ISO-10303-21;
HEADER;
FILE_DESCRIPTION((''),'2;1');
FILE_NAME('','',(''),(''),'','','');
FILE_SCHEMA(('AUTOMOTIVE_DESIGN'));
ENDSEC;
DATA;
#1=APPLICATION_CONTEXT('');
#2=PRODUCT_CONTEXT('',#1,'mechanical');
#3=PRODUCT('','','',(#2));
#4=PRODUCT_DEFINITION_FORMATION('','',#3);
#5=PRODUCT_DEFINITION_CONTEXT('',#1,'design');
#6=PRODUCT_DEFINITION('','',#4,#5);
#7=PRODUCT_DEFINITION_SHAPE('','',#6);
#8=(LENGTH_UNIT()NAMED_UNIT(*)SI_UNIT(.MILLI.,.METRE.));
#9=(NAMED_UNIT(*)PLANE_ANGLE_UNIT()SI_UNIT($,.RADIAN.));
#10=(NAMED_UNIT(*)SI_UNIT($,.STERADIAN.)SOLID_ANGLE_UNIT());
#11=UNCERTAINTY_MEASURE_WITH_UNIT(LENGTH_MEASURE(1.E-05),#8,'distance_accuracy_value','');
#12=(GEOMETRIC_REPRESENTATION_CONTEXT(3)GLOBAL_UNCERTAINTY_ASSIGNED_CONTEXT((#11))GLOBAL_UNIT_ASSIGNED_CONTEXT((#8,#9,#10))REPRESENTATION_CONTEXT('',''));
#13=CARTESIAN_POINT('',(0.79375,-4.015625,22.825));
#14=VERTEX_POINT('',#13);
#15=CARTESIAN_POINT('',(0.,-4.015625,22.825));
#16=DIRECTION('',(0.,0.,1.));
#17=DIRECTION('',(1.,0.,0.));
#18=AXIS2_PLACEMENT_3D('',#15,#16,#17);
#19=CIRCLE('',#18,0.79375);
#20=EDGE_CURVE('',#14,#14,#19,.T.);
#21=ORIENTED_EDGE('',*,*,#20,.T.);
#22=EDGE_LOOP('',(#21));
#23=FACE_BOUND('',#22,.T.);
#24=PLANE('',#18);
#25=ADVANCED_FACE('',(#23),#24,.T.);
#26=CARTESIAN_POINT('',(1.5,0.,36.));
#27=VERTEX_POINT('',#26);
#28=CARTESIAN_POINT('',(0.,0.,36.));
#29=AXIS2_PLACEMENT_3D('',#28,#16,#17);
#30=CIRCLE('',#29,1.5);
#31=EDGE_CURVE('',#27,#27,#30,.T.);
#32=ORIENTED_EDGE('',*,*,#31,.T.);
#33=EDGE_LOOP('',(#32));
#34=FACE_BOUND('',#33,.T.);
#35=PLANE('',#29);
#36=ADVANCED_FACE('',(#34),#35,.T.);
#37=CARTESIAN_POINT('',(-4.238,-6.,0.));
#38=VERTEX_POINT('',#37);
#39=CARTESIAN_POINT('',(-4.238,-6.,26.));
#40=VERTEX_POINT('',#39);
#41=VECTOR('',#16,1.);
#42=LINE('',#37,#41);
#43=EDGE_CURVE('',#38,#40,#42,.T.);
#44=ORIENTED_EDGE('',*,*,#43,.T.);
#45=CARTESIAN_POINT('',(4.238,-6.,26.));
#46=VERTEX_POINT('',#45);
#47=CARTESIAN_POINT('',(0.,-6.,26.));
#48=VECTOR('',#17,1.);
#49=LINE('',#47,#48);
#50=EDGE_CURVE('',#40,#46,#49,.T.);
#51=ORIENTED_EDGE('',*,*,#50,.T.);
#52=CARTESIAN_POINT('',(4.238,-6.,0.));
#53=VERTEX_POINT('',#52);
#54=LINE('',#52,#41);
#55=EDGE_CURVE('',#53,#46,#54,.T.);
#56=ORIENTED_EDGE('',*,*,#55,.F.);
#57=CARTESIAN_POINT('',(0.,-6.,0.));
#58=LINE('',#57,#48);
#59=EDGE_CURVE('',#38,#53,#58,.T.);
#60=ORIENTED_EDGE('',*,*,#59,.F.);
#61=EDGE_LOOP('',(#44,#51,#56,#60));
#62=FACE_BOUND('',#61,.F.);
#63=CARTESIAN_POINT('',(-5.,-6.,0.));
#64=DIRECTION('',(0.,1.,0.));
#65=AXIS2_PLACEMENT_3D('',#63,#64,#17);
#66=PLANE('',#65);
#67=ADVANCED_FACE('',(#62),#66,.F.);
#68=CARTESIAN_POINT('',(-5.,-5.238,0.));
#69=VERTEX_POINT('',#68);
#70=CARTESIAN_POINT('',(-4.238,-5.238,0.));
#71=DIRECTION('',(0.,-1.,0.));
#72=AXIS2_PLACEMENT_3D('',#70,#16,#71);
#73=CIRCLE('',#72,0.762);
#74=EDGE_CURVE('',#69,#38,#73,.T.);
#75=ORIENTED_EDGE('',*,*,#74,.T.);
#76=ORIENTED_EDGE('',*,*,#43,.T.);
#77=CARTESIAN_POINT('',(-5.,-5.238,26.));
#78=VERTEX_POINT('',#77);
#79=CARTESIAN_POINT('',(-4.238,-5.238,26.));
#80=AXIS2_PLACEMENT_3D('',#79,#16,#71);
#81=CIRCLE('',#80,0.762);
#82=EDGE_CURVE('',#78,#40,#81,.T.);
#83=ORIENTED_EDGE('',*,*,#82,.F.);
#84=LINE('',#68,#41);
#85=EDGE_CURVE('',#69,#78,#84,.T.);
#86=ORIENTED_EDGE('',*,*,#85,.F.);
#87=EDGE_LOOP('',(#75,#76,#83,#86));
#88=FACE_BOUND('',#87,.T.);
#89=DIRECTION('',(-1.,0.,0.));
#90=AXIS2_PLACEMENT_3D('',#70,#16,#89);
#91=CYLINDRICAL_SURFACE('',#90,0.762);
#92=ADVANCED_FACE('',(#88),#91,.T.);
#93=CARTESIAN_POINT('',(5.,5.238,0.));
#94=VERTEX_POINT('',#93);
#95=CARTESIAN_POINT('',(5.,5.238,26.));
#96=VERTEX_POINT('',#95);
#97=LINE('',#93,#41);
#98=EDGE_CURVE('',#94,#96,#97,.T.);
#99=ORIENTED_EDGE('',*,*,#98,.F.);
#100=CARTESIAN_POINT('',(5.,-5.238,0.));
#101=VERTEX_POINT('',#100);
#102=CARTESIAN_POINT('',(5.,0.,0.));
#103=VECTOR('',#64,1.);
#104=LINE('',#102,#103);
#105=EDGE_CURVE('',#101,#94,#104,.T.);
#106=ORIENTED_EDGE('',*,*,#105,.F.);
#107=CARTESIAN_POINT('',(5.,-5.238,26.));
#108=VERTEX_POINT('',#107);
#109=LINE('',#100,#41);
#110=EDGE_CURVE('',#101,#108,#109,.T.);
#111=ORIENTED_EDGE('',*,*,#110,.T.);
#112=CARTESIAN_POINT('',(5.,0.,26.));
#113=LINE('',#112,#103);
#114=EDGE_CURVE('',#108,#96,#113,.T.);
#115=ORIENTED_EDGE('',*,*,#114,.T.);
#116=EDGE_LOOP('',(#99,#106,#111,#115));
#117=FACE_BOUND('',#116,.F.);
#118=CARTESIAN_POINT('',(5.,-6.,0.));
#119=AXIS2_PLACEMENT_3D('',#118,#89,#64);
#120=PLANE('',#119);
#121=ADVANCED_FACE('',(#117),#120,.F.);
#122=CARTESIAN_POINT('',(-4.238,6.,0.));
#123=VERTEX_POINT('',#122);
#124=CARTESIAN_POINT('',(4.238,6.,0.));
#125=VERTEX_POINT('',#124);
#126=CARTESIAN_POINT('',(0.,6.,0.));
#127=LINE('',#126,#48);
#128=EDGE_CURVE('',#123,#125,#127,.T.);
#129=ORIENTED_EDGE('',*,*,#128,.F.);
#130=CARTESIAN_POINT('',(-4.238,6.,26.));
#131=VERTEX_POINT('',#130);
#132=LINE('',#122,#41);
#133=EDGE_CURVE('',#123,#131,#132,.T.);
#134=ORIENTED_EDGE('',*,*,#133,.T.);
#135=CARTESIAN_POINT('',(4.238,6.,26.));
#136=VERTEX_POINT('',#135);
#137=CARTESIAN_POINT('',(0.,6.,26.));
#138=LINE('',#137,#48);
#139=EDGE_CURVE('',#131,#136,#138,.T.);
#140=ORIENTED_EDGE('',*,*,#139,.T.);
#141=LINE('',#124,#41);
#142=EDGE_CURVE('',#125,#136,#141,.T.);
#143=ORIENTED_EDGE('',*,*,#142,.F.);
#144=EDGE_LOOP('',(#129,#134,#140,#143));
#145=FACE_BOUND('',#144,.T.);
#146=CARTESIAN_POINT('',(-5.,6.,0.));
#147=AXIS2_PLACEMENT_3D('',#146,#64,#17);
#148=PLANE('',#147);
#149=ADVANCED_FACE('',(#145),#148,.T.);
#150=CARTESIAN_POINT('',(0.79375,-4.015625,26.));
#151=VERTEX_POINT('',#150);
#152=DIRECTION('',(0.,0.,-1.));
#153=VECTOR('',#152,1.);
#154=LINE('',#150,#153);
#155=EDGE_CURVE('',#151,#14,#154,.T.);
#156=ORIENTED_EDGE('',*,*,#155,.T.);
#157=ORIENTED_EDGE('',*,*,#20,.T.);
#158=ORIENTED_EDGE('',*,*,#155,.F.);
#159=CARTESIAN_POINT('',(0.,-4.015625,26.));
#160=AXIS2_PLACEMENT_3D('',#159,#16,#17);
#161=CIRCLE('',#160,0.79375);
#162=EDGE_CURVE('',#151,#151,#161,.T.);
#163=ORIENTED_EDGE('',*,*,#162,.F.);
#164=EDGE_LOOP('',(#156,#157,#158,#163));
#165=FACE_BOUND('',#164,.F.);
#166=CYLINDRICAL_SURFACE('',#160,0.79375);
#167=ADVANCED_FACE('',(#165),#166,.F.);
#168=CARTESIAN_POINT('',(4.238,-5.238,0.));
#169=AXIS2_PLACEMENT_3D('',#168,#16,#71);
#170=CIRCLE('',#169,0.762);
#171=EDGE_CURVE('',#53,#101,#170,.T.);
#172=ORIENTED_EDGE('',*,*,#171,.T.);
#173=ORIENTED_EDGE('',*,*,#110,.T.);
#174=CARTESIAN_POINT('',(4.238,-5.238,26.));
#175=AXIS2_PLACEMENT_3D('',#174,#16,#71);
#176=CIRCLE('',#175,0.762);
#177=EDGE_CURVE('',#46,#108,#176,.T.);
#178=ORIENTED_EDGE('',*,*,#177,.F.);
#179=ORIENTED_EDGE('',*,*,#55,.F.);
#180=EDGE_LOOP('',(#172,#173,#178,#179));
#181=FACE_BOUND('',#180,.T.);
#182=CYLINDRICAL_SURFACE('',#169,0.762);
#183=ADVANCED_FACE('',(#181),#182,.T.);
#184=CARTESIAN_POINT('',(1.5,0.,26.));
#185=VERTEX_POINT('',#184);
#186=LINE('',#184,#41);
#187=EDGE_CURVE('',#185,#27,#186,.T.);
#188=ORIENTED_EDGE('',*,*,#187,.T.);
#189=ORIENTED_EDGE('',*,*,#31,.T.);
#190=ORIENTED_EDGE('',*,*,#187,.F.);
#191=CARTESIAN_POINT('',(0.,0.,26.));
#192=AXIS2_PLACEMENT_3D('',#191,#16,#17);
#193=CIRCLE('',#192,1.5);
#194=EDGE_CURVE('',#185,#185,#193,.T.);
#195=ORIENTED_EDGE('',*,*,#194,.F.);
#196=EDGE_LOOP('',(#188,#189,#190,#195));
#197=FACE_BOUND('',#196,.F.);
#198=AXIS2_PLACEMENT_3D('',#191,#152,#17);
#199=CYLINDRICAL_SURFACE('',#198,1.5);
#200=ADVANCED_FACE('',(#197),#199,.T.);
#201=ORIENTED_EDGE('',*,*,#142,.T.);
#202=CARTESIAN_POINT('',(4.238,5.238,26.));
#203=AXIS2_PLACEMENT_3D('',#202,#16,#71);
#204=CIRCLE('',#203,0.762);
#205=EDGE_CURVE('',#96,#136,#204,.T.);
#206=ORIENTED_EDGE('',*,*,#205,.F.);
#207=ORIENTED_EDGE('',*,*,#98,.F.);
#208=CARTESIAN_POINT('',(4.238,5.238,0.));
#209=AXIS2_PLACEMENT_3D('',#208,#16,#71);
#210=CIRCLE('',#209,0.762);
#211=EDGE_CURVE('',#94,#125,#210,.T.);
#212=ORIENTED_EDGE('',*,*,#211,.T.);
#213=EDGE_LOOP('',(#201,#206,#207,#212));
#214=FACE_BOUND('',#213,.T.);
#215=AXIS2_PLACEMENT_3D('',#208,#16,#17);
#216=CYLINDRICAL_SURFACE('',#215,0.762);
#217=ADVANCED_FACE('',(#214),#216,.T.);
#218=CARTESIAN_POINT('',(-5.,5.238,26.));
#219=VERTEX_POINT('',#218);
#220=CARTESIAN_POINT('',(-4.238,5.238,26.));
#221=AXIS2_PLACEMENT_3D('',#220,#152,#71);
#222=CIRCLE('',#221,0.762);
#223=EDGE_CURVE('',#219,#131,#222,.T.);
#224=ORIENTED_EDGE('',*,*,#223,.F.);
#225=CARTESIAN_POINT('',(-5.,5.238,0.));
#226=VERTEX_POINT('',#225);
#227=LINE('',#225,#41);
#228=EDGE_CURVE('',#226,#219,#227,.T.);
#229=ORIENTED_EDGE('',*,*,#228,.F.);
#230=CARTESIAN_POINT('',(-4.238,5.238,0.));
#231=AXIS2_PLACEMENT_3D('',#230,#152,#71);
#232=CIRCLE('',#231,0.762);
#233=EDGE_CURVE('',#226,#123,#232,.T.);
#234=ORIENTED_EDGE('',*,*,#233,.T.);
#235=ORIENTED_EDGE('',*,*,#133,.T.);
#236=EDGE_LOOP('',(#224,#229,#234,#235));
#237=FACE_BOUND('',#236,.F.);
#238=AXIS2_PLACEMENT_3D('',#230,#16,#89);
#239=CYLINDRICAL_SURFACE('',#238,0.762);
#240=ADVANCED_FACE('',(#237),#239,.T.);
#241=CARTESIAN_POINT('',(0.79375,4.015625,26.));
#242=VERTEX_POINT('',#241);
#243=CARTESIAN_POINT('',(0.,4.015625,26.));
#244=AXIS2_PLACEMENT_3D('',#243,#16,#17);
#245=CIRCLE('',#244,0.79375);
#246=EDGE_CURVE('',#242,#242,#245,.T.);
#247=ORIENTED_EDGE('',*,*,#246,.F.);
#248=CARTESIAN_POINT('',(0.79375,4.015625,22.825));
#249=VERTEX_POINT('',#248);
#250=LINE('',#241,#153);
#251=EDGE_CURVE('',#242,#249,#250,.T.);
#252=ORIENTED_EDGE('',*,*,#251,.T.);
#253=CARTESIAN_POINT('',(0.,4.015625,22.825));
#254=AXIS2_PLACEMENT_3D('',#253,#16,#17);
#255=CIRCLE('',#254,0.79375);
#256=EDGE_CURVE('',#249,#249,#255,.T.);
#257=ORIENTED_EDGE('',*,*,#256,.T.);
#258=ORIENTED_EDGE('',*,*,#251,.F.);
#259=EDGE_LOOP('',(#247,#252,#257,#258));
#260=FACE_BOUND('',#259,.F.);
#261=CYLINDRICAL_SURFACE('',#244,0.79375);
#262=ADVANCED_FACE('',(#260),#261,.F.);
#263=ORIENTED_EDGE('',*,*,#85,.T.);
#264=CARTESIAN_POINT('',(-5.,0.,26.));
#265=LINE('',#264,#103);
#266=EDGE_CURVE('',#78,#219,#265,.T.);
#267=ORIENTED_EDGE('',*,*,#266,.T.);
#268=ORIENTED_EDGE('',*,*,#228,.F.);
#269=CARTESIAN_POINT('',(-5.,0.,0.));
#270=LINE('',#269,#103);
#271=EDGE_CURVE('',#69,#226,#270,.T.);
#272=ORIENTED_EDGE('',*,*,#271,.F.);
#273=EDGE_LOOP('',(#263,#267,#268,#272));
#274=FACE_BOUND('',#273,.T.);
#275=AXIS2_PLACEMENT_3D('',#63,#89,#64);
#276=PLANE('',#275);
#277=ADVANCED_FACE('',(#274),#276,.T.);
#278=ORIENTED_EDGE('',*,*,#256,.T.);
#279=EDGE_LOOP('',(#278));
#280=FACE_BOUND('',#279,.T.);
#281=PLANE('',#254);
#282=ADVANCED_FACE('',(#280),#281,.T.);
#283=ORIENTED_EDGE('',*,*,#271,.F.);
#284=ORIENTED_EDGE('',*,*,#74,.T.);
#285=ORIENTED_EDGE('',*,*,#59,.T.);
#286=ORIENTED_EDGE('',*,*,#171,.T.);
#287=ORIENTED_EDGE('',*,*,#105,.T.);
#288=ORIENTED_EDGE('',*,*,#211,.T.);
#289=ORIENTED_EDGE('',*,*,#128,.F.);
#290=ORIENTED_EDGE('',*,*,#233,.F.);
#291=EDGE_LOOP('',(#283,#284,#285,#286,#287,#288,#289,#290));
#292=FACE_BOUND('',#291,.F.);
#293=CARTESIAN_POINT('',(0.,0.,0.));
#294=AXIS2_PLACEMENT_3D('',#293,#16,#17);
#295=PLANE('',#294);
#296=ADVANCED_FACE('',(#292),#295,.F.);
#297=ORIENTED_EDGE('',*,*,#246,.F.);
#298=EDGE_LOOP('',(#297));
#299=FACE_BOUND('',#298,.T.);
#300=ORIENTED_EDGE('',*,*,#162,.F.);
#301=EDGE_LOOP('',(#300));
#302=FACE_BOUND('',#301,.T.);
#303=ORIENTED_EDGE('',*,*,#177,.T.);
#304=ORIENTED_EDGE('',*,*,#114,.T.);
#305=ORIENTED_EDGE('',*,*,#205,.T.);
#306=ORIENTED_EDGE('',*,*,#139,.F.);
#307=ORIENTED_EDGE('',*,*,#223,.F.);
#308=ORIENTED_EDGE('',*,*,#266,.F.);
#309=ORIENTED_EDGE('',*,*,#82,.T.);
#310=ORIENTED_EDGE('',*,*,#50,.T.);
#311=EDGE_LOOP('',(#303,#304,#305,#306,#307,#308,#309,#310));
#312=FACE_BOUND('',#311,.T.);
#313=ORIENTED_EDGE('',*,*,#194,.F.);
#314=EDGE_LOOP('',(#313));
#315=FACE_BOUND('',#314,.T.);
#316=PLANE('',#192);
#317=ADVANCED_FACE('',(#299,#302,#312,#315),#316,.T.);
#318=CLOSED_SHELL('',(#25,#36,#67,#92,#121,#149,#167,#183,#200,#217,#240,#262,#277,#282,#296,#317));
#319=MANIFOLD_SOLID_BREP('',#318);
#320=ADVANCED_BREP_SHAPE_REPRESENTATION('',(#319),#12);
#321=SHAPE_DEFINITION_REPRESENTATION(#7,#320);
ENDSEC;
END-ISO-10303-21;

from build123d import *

# Parameters (mm, degrees)
F0_W     = 10
F0_H     = 12
F1_DEPTH = 26
F2_R     = 0.762
F3_R     = 1.5
F4_DEPTH = 10
F5_R     = 0.79375
F6_DEPTH = 3.175


with BuildPart() as f1:
    # F0 (on Top) → F1 (new body)
    with BuildSketch(Plane.XY):
        Rectangle(F0_W, F0_H)
    extrude(amount=F1_DEPTH)

    # F2
    f2_edges = [f1.edges().sort_by_distance(p)[0] for p in [
        (-5, -6, 13),
        (-5, 6, 13),
        (5, -6, 13),
        (5, 6, 13),
    ]]
    fillet(f2_edges, radius=F2_R)

    # F3 (on face) → F4 (join)
    with BuildSketch(Plane.XY.offset(26)):
        Circle(F3_R)
    extrude(amount=F4_DEPTH)

    # F5 (on face) → F6 (cut)
    with BuildSketch(Plane.XY.offset(26)):
        with Locations((0, 4.015625)):
            Circle(F5_R)
        with Locations((0, -4.015625)):
            Circle(F5_R)
    extrude(amount=-F6_DEPTH, mode=Mode.SUBTRACT)


solid = f1.part
